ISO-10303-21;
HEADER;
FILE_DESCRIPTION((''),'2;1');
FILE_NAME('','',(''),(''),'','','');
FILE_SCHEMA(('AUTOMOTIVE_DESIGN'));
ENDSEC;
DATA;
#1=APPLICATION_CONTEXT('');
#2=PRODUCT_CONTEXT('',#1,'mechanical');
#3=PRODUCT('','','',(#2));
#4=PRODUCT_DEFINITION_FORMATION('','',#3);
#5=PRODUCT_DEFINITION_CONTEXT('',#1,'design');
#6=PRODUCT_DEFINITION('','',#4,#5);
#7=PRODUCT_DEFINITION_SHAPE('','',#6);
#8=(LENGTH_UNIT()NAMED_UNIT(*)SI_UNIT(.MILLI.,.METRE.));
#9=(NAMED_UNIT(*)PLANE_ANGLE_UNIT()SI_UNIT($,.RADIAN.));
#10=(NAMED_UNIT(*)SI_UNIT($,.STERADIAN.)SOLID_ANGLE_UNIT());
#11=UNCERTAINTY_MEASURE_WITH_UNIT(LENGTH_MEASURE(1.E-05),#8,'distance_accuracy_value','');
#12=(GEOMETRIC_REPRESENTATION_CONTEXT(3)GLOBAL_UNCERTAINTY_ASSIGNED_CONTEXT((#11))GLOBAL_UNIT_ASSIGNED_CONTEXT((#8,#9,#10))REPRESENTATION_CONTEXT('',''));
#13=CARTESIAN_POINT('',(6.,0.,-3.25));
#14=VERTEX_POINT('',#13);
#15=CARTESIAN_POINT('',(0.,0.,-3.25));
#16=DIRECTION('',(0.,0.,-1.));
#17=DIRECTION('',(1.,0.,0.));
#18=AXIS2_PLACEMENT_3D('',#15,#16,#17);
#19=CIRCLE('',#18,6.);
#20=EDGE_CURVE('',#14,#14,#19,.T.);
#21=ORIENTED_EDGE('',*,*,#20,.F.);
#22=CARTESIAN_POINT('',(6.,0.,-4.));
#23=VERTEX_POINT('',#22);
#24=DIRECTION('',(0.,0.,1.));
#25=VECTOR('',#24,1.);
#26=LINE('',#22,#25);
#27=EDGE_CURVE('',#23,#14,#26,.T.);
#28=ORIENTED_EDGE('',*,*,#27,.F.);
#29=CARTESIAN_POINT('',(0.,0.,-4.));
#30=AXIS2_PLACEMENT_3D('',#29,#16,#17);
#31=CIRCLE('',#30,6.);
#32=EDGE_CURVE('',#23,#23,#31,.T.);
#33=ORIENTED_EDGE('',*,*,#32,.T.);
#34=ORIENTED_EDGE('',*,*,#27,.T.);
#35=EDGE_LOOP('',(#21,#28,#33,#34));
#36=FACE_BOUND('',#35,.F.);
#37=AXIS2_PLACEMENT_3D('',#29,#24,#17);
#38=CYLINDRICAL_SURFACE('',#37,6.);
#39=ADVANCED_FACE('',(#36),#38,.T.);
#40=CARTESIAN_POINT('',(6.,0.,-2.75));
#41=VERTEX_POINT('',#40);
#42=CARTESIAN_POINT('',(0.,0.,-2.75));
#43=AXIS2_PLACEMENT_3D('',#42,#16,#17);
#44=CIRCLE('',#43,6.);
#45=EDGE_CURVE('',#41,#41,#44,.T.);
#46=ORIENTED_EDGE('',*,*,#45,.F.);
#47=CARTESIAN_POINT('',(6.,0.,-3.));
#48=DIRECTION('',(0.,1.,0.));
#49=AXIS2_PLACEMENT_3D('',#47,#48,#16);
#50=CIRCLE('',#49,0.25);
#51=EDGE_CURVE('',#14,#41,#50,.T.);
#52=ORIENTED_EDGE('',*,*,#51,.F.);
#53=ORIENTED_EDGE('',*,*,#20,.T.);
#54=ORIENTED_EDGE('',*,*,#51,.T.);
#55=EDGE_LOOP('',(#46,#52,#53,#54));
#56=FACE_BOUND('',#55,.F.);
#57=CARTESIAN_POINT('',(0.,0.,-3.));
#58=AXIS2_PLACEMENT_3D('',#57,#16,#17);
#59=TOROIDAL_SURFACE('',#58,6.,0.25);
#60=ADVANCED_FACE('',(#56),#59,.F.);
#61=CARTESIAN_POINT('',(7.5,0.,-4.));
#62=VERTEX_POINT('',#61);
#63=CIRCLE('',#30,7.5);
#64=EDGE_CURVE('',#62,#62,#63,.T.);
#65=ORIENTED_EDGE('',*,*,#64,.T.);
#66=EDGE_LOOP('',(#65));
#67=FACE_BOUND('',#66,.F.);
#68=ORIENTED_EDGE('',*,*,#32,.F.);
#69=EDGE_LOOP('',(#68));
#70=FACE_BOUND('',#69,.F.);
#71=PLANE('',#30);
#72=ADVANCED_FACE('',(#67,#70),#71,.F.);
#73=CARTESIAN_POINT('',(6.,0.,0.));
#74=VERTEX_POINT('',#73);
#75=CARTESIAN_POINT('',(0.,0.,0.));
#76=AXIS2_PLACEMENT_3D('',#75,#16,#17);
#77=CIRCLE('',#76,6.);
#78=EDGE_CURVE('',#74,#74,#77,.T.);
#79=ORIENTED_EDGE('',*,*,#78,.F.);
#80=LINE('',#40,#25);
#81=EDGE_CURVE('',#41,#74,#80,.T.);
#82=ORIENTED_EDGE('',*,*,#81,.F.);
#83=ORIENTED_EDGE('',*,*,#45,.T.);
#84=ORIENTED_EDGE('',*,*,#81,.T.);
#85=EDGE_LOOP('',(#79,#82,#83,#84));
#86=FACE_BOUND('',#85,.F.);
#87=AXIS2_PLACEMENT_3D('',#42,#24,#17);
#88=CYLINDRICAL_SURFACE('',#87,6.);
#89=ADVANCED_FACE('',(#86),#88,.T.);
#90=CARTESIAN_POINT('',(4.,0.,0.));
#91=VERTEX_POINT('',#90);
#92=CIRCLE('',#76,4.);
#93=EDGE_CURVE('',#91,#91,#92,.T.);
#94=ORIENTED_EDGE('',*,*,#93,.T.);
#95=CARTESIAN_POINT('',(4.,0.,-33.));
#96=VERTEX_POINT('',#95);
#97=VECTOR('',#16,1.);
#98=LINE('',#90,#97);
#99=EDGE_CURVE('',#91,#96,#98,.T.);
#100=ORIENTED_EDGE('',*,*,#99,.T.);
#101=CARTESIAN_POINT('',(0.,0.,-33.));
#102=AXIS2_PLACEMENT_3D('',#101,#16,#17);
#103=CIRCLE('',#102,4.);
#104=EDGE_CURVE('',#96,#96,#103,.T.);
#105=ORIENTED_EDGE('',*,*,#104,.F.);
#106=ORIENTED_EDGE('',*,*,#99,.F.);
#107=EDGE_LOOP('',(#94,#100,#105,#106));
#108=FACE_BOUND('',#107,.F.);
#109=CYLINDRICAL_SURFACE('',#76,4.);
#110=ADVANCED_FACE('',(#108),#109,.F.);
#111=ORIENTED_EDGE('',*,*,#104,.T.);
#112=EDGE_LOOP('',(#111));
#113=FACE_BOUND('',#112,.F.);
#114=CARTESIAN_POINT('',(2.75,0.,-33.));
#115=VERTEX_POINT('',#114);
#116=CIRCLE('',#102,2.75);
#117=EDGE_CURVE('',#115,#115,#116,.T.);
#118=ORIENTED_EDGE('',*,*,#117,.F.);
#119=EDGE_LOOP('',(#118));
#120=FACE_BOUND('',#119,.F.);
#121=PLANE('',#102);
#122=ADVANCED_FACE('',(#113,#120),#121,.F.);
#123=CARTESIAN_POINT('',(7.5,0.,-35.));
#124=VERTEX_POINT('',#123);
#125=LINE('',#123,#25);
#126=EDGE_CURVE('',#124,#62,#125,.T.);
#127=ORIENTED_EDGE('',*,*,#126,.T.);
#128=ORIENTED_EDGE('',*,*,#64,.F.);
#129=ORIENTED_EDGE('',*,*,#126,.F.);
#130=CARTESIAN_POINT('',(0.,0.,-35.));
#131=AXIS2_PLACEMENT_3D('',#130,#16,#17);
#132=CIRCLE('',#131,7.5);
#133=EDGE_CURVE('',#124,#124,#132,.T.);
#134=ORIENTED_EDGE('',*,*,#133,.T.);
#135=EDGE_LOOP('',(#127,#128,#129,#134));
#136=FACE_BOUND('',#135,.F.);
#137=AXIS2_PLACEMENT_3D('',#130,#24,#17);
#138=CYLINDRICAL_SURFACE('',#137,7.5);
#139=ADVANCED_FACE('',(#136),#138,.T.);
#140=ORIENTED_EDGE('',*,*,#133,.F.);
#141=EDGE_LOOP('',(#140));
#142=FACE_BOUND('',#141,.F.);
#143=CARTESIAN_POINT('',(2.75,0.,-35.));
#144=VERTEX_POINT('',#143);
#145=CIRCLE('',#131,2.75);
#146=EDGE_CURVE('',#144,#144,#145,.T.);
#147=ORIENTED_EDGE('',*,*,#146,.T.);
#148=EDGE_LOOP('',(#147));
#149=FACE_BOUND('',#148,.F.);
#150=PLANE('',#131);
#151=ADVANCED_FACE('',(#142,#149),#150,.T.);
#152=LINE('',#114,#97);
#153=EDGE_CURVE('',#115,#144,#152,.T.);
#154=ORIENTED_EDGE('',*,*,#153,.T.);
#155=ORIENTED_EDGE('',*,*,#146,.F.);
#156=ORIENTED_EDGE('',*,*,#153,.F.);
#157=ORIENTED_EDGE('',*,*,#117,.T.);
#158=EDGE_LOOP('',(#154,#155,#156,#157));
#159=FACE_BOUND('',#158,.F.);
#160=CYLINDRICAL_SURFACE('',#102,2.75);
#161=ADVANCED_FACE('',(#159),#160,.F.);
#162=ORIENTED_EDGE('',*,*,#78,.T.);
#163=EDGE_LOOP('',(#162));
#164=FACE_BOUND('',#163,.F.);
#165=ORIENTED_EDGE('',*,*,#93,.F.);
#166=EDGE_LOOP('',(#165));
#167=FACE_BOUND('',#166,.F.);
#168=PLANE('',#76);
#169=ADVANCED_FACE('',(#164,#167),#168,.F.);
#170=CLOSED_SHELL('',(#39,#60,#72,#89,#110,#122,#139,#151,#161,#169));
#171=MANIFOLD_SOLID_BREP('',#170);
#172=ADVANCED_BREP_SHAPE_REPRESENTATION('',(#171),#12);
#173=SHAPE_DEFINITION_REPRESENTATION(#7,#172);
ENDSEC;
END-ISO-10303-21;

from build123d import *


with BuildPart() as f1:
    # F0 (on Front) → F1 (revolve)
    with BuildSketch(Plane.XZ):
        with BuildLine():
            Line((7.5, -35), (7.5, -4))
            Line((7.5, -4), (6, -4))
            Line((6, -4), (6, -3.25))
            ThreePointArc((6, -3.25), (5.75, -3), (6, -2.75))
            Line((6, -2.75), (6, 0))
            Line((6, 0), (4, 0))
            Line((4, 0), (4, -33))
            Line((4, -33), (2.75, -33))
            Line((2.75, -33), (2.75, -35))
            Line((2.75, -35), (7.5, -35))
        make_face()
    revolve(axis=Axis((0, 0, -21.924183), (0, 0, -1)))


solid = f1.part
